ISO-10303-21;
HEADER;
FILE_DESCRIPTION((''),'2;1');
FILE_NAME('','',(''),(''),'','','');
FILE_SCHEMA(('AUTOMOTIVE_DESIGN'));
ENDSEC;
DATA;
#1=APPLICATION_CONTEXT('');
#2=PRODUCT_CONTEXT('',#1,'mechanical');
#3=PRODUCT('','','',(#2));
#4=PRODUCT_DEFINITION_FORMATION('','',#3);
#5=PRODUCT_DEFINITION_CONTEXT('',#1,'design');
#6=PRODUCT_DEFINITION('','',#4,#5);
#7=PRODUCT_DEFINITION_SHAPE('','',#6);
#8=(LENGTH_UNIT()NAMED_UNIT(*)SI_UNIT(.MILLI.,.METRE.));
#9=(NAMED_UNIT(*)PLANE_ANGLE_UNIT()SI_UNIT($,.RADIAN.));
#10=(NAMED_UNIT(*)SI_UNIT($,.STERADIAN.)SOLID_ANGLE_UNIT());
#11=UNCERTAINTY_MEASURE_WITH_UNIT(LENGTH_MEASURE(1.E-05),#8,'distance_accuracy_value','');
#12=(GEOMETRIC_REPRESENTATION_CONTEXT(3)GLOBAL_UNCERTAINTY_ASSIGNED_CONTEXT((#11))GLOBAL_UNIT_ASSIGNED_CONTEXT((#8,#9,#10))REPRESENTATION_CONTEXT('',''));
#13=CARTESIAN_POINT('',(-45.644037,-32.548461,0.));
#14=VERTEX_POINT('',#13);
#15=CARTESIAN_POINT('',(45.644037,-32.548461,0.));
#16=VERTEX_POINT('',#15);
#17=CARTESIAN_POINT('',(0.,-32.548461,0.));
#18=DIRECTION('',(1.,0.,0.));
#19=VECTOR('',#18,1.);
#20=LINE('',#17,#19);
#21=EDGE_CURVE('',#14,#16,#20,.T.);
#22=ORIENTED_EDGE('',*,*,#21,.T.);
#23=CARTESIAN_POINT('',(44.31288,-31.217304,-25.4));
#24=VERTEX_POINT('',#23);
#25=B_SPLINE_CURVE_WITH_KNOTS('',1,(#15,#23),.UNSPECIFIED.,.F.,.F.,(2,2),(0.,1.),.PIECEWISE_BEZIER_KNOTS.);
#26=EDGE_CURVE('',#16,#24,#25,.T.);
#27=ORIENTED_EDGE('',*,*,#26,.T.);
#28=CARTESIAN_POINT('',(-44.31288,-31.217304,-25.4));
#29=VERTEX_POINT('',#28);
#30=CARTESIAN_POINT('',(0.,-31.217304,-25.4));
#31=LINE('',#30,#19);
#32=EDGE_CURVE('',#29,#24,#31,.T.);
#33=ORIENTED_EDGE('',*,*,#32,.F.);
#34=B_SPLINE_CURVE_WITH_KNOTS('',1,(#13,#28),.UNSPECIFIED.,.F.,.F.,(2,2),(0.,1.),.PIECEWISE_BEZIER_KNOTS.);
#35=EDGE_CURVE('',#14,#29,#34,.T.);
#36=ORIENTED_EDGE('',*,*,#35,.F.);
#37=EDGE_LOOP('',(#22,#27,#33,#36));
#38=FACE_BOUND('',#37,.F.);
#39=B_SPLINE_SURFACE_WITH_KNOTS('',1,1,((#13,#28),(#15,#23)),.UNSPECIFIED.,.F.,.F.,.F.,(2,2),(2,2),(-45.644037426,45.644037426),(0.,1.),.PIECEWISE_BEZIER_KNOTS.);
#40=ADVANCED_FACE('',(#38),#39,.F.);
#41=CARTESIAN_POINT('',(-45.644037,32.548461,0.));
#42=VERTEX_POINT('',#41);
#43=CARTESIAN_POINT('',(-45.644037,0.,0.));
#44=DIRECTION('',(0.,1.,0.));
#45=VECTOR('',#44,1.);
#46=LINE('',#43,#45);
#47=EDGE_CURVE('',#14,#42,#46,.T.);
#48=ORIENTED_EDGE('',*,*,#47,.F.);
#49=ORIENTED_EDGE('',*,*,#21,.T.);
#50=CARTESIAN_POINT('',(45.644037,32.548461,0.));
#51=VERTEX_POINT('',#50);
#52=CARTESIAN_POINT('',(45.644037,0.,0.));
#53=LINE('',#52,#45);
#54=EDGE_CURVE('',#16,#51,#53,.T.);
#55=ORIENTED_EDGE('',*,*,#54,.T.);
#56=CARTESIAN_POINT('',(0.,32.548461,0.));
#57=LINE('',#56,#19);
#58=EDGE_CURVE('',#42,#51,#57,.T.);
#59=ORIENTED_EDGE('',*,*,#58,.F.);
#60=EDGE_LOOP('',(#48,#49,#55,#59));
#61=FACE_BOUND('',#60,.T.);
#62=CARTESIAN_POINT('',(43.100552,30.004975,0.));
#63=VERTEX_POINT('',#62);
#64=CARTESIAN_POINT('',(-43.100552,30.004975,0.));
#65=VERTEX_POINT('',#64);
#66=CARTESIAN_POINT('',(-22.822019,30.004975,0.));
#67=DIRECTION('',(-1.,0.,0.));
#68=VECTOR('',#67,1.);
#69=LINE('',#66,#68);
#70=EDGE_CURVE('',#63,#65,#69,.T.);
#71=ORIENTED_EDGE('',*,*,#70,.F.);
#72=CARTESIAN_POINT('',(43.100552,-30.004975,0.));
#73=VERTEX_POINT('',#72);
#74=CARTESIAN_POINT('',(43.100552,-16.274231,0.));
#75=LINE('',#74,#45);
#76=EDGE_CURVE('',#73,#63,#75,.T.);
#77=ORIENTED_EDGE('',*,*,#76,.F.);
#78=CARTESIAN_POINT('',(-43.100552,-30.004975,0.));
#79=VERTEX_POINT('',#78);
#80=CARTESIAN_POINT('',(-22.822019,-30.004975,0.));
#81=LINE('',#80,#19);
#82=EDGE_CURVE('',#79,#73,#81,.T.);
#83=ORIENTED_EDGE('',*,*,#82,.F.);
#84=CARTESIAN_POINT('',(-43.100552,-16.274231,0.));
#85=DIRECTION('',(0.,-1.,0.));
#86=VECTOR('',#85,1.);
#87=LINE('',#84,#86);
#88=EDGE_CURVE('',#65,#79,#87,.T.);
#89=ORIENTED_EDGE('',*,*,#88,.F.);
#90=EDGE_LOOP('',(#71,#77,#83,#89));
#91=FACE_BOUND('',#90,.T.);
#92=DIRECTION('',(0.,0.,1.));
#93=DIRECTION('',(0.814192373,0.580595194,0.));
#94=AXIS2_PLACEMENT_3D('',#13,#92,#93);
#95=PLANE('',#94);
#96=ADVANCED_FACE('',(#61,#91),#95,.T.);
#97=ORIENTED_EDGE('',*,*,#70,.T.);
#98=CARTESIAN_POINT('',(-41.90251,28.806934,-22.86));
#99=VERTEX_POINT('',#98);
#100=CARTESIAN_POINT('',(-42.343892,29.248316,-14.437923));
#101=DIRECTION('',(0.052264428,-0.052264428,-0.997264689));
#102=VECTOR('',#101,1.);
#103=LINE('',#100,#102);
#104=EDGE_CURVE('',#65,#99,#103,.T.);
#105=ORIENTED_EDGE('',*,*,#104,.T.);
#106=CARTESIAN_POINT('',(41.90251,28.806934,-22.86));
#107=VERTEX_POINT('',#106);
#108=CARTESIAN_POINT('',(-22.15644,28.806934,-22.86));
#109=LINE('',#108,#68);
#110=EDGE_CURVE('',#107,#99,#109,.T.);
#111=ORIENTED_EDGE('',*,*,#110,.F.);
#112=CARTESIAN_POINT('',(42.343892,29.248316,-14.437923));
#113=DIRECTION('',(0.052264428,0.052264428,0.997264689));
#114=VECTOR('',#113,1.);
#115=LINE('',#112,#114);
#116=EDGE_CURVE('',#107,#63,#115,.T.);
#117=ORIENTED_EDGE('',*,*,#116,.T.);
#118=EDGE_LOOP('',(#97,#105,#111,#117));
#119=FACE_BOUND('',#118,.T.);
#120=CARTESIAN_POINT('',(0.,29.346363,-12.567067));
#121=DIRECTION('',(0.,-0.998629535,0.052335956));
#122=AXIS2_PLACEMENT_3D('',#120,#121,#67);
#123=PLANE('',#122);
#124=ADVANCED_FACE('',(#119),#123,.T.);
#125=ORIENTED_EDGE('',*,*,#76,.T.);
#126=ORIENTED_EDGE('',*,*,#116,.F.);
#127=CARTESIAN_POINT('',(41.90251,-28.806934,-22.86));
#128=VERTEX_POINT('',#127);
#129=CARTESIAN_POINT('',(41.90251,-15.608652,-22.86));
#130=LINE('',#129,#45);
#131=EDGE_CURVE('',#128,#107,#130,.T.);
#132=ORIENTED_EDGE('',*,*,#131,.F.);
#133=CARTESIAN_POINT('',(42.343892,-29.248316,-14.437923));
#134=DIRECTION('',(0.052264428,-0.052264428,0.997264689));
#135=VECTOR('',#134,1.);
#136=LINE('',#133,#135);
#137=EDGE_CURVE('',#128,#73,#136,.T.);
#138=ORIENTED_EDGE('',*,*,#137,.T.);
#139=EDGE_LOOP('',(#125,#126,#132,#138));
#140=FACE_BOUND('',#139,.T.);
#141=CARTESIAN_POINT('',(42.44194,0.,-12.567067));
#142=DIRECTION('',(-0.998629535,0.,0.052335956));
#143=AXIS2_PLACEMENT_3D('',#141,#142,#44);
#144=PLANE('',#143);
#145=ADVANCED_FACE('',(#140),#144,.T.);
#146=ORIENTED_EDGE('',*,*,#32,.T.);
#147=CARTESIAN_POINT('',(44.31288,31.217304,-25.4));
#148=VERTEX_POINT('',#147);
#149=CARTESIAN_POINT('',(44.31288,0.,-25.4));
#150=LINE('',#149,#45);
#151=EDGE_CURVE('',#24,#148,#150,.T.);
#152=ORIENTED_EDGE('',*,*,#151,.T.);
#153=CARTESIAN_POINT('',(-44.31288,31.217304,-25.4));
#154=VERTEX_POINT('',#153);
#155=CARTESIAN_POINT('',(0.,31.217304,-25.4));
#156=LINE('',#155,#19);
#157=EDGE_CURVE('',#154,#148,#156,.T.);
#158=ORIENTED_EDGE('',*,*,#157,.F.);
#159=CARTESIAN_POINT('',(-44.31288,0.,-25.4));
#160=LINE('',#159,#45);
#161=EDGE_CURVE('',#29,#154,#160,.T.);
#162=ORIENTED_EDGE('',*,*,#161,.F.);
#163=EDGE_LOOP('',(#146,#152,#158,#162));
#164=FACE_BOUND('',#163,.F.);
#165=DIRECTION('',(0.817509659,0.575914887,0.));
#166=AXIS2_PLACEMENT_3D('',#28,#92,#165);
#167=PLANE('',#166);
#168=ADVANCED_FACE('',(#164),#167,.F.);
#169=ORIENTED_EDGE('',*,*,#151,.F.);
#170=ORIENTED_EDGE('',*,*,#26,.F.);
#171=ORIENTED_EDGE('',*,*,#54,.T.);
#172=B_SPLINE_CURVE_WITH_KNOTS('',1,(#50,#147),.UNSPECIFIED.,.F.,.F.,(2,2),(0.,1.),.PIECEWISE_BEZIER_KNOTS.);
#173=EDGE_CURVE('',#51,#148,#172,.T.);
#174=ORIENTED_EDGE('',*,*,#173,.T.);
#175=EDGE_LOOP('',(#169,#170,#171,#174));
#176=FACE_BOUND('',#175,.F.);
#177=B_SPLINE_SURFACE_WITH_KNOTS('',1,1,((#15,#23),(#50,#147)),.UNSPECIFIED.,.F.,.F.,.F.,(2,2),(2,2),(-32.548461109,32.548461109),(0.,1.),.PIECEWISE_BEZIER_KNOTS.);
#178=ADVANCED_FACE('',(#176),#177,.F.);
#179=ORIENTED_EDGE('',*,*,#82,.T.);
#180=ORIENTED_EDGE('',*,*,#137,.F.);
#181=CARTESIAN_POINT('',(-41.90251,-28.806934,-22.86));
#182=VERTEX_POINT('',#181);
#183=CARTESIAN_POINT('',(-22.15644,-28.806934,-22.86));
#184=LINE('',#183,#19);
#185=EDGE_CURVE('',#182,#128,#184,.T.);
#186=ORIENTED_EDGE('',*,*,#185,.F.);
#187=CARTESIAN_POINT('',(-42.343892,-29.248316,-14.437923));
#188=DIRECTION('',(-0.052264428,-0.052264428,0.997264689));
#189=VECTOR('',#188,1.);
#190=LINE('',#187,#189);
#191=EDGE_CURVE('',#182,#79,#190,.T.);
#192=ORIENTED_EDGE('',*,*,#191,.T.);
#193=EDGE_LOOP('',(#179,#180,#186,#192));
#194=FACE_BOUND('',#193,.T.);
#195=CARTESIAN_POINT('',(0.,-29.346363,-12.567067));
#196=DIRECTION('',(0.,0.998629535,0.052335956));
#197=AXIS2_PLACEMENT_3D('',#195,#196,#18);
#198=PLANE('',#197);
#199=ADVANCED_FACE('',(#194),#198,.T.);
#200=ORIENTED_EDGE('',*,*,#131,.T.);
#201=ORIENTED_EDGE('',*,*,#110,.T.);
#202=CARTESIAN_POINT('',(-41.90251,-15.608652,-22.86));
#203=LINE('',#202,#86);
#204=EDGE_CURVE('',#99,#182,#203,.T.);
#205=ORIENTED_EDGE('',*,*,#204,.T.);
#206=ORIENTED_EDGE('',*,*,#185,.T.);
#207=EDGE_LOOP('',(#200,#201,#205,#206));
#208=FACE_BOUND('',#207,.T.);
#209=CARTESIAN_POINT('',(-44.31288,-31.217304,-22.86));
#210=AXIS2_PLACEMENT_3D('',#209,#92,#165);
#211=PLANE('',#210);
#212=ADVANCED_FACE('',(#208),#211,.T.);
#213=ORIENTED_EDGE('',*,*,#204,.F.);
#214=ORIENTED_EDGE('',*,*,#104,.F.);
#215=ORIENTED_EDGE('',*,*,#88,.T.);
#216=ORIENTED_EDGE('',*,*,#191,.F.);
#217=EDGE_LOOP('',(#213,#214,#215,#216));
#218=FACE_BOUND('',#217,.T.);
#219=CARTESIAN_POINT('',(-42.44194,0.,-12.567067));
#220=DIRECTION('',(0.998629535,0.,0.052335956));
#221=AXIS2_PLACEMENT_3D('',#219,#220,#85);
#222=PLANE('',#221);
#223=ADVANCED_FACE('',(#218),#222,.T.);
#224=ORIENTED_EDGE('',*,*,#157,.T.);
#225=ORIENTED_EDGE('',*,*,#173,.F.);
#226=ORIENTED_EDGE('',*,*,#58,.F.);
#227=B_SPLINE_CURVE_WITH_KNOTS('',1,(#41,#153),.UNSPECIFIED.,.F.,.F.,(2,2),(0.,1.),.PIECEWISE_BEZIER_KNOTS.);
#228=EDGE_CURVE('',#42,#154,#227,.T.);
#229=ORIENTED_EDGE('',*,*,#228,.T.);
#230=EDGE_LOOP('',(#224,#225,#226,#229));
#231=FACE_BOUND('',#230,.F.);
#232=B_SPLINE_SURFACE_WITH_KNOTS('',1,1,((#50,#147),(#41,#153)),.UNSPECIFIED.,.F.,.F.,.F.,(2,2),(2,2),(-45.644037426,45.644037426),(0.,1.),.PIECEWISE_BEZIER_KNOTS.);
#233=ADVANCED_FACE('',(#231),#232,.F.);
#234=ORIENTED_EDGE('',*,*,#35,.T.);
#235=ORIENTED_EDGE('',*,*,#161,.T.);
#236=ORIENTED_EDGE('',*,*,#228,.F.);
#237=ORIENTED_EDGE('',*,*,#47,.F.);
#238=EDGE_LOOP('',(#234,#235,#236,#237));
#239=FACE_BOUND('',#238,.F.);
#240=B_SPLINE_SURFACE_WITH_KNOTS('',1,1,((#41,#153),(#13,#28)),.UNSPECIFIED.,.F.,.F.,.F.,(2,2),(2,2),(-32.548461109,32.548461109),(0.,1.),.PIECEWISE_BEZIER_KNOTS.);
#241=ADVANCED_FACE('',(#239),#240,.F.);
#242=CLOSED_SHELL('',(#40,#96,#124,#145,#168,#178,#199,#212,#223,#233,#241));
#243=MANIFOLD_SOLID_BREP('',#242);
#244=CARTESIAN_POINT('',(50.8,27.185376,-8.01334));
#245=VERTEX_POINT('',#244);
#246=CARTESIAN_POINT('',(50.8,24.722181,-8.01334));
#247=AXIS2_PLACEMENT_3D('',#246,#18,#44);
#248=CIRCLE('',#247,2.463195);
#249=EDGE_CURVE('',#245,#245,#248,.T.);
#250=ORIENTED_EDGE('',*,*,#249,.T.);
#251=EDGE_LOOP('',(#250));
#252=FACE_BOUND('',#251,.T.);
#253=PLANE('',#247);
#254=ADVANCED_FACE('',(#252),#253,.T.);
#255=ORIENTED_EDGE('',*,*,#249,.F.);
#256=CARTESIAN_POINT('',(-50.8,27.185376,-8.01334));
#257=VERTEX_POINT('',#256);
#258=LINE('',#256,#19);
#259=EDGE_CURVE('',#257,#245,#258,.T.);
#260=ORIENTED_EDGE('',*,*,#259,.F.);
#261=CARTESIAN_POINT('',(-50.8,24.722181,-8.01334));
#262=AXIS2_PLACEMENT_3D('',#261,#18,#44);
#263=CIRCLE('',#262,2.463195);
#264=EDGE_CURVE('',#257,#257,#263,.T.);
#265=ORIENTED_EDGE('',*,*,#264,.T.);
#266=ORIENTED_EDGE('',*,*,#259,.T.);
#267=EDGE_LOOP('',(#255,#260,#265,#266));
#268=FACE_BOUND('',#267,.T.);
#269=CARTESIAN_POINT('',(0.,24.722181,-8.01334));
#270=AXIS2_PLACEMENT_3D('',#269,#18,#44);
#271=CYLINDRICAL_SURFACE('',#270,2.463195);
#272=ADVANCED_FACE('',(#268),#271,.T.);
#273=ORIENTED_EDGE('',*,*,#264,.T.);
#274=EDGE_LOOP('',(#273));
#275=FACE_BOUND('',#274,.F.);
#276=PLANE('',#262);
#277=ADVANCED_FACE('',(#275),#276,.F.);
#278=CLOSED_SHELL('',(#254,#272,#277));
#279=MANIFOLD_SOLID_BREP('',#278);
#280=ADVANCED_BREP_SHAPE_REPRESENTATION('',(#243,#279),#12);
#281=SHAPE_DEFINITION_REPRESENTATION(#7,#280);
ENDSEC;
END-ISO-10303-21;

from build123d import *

# Parameters (mm, degrees)
F0_W     = 91.288074851
F0_H     = 65.0969222188
F1_DEPTH = 25.4
F1_TAPER = 3
F2_T     = -2.54
F3_R     = 2.4631952169
F4_DEPTH = 50.8


with BuildPart() as f1:
    # F0 (on Top) → F1 (new body)
    with BuildSketch(Plane.XY):
        Rectangle(F0_W, F0_H)
    extrude(amount=-F1_DEPTH, taper=F1_TAPER)

    # F2
    f2_openings = [f1.faces().sort_by_distance(p)[0] for p in [
        (0, 0, 0),
    ]]
    offset(amount=F2_T, openings=f2_openings)


with BuildPart() as f4:
    # F3 (on Right) → F4 (new body, symmetric)
    with BuildSketch(Plane.YZ):
        with Locations((24.7221812606, -8.0133397132)):
            Circle(F3_R)
    extrude(amount=F4_DEPTH, both=True)


solid = Compound([f1.part, f4.part])
